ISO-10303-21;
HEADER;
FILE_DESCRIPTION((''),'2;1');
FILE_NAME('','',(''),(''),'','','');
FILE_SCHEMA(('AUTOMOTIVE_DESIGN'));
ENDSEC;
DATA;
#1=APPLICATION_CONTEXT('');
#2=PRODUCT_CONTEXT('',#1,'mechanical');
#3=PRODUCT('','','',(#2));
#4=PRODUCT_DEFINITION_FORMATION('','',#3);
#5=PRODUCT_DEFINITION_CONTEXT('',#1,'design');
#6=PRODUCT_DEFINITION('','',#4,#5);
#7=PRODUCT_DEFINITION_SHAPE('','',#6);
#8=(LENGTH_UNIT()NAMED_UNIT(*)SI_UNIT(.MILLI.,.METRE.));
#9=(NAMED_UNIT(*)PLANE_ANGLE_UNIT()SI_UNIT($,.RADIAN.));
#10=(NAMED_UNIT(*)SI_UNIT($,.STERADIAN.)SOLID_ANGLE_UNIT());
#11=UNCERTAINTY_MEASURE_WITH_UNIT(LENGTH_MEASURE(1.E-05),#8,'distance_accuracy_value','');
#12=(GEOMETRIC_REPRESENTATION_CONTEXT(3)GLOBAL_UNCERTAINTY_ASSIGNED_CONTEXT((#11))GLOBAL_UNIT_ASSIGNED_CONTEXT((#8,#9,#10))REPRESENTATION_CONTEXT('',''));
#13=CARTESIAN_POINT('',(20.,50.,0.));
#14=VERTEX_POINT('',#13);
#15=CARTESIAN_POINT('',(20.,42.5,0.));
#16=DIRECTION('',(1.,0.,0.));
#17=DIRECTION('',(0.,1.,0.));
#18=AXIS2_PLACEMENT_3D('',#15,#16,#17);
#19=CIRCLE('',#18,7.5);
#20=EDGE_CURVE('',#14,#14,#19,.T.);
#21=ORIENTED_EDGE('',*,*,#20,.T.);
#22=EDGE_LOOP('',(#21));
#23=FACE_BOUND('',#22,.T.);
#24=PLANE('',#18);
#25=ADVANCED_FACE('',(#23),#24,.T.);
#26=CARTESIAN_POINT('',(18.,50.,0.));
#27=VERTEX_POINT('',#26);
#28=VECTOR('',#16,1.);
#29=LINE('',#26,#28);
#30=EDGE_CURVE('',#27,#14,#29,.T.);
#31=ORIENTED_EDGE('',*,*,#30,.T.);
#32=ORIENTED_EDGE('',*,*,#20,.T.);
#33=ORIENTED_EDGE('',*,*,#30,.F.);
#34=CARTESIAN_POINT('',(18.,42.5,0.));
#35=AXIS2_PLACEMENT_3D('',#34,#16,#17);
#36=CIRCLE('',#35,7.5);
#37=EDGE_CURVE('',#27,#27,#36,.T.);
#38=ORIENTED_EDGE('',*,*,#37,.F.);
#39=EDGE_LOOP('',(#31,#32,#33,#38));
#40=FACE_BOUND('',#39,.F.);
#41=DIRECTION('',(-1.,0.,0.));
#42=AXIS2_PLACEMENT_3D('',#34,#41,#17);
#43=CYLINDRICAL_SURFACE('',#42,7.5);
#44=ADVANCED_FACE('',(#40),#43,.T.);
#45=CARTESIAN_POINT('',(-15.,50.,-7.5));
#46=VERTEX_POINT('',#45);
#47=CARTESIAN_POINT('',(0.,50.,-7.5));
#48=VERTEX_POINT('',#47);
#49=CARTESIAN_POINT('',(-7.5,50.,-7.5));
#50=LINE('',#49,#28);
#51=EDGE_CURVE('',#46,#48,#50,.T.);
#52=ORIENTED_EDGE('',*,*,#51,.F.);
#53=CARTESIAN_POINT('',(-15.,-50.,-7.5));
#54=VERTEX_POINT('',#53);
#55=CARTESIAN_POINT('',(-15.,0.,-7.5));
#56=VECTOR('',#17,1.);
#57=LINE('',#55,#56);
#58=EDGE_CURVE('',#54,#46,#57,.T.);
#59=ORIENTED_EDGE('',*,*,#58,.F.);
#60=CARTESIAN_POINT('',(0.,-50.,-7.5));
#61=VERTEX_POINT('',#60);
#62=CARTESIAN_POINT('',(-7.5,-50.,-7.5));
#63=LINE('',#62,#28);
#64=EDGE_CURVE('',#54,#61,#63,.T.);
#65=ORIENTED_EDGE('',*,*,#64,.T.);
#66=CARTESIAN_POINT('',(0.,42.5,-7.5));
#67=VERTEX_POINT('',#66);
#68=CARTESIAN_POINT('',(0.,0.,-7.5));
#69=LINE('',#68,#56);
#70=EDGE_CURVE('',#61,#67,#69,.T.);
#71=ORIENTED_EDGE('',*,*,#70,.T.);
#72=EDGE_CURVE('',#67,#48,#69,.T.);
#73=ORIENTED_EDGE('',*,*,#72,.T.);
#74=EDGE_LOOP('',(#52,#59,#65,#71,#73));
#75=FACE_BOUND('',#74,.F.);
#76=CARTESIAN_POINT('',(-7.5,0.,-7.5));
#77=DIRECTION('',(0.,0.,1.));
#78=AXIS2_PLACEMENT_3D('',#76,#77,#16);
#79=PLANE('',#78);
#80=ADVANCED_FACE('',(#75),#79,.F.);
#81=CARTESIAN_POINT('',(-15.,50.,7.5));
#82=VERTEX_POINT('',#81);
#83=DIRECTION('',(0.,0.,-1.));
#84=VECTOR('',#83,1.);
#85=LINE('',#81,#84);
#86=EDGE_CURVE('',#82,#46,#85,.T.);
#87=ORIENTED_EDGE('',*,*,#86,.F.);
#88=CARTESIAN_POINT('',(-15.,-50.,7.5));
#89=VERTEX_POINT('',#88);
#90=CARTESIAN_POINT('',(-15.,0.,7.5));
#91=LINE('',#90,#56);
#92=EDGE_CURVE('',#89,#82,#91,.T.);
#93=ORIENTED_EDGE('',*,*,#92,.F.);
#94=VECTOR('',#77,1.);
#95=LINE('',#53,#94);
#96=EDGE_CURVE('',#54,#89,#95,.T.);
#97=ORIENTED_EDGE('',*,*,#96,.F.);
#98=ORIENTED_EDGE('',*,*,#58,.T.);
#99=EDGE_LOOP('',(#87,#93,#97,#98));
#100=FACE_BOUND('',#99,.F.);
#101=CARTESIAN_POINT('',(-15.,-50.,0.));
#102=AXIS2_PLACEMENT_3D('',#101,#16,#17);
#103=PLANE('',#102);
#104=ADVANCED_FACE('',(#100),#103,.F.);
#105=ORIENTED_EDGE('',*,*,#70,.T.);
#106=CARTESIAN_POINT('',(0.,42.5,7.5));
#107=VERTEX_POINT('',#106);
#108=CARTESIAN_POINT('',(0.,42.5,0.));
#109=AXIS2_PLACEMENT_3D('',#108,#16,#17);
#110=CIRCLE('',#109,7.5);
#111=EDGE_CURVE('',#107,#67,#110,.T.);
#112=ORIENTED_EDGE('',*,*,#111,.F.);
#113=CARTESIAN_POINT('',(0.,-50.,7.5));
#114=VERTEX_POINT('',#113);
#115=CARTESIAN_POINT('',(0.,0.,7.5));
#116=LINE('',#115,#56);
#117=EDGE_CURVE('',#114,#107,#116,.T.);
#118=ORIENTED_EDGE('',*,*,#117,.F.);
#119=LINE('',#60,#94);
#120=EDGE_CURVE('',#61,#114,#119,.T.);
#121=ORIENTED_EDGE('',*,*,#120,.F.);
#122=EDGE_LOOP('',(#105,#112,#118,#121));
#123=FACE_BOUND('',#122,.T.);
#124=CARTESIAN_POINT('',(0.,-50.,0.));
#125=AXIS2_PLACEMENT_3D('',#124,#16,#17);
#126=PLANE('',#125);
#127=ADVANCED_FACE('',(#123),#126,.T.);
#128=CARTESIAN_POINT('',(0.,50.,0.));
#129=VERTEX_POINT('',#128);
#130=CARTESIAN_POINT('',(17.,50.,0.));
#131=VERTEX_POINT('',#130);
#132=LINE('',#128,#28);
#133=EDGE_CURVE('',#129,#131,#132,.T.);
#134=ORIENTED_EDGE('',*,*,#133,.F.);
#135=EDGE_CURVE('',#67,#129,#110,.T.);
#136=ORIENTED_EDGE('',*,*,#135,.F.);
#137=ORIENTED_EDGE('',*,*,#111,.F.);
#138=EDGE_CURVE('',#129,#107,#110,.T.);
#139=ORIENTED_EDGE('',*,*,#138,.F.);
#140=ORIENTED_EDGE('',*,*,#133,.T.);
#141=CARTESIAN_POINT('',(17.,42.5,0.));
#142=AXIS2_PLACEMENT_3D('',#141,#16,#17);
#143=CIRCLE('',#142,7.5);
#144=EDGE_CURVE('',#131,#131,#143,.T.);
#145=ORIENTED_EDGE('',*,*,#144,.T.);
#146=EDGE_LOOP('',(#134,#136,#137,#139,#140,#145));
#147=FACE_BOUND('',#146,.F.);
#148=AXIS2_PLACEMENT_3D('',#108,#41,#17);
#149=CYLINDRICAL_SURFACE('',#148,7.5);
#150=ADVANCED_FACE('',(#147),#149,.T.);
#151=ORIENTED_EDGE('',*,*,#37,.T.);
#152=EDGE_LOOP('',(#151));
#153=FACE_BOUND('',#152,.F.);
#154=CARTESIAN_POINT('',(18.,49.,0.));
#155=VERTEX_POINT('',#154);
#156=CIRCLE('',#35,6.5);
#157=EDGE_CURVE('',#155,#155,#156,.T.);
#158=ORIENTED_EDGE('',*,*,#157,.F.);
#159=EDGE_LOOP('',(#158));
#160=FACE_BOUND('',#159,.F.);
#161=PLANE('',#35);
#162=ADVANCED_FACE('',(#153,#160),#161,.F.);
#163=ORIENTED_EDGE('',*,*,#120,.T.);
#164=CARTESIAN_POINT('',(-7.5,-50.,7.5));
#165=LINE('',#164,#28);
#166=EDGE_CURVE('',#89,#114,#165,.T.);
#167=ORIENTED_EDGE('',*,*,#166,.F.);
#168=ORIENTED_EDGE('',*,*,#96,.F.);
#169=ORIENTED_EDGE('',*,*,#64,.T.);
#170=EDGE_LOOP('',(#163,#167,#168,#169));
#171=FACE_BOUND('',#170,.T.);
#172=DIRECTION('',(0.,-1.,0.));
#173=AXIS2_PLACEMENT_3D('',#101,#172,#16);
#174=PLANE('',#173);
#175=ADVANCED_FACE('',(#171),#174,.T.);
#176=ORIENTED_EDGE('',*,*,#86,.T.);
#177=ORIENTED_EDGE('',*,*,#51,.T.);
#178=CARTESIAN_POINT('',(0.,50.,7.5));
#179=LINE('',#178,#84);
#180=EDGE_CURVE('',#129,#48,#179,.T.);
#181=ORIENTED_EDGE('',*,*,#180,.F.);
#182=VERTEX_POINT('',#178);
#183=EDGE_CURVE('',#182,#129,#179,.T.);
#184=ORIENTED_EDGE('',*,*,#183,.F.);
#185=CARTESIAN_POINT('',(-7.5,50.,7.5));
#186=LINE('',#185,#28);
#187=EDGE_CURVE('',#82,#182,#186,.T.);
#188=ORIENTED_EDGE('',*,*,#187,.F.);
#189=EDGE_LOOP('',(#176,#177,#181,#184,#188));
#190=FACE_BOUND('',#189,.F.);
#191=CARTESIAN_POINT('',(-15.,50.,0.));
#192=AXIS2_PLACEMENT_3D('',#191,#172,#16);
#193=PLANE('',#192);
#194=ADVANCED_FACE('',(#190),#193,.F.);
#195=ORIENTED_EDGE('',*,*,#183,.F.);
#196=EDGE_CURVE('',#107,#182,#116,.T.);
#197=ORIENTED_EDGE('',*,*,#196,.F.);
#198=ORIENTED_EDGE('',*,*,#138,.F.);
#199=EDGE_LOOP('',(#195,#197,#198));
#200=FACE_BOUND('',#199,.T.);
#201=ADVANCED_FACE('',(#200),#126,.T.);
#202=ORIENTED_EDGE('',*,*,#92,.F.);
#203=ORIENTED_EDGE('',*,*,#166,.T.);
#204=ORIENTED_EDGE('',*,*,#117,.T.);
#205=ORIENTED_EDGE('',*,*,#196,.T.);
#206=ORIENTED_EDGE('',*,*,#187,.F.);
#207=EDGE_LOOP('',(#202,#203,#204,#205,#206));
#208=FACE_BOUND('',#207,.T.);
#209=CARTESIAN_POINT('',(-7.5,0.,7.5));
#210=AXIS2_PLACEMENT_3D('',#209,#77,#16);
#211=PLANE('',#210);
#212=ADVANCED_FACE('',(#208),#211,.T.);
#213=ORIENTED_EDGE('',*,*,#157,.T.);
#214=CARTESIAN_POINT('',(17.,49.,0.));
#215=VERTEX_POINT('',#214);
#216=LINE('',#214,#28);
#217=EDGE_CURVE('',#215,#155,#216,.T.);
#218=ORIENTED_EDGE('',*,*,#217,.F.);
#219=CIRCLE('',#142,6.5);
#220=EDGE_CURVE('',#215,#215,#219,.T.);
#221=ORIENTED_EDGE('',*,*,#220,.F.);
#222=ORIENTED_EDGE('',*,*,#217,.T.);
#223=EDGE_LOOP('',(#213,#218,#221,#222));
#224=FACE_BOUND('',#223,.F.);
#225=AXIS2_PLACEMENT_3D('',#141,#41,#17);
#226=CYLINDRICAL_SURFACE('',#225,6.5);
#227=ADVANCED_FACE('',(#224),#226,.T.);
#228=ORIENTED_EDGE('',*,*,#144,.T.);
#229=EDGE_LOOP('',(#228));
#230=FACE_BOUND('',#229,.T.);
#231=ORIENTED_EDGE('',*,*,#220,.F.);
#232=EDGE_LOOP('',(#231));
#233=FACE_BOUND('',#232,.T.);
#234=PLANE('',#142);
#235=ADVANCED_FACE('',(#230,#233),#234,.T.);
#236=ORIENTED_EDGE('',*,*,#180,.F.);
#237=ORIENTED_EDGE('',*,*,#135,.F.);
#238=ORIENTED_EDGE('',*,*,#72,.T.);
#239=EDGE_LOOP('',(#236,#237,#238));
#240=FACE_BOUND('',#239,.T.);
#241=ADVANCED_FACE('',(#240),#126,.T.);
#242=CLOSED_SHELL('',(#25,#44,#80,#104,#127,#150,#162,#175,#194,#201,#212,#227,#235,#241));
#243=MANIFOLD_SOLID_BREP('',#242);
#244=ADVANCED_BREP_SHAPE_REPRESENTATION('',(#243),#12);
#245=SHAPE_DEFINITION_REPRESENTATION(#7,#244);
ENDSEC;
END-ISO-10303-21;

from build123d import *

# Parameters (mm, degrees)
F0_W     = 15
F0_H     = 100
F1_DEPTH = 7.5
F2_R     = 7.5
F3_DEPTH = 17
F4_R     = 6.5
F5_DEPTH = 1
F6_R     = 7.5
F7_DEPTH = 2


with BuildPart() as f1:
    # F0 (on Top) → F1 (new body, symmetric)
    with BuildSketch(Plane.XY):
        with Locations((-7.5, 0)):
            Rectangle(F0_W, F0_H)
    extrude(amount=F1_DEPTH, both=True)

    # F2 (on face) → F3 (join)
    with BuildSketch(Plane.YZ):
        with Locations((42.5, 0)):
            Circle(F2_R)
    extrude(amount=F3_DEPTH)

    # F4 (on face) → F5 (join)
    with BuildSketch(Plane.YZ.offset(17)):
        with Locations((42.5, 0)):
            Circle(F4_R)
    extrude(amount=F5_DEPTH)

    # F6 (on face) → F7 (join)
    with BuildSketch(Plane.YZ.offset(18)):
        with Locations((42.5, 0)):
            Circle(F6_R)
    extrude(amount=F7_DEPTH)


solid = f1.part
